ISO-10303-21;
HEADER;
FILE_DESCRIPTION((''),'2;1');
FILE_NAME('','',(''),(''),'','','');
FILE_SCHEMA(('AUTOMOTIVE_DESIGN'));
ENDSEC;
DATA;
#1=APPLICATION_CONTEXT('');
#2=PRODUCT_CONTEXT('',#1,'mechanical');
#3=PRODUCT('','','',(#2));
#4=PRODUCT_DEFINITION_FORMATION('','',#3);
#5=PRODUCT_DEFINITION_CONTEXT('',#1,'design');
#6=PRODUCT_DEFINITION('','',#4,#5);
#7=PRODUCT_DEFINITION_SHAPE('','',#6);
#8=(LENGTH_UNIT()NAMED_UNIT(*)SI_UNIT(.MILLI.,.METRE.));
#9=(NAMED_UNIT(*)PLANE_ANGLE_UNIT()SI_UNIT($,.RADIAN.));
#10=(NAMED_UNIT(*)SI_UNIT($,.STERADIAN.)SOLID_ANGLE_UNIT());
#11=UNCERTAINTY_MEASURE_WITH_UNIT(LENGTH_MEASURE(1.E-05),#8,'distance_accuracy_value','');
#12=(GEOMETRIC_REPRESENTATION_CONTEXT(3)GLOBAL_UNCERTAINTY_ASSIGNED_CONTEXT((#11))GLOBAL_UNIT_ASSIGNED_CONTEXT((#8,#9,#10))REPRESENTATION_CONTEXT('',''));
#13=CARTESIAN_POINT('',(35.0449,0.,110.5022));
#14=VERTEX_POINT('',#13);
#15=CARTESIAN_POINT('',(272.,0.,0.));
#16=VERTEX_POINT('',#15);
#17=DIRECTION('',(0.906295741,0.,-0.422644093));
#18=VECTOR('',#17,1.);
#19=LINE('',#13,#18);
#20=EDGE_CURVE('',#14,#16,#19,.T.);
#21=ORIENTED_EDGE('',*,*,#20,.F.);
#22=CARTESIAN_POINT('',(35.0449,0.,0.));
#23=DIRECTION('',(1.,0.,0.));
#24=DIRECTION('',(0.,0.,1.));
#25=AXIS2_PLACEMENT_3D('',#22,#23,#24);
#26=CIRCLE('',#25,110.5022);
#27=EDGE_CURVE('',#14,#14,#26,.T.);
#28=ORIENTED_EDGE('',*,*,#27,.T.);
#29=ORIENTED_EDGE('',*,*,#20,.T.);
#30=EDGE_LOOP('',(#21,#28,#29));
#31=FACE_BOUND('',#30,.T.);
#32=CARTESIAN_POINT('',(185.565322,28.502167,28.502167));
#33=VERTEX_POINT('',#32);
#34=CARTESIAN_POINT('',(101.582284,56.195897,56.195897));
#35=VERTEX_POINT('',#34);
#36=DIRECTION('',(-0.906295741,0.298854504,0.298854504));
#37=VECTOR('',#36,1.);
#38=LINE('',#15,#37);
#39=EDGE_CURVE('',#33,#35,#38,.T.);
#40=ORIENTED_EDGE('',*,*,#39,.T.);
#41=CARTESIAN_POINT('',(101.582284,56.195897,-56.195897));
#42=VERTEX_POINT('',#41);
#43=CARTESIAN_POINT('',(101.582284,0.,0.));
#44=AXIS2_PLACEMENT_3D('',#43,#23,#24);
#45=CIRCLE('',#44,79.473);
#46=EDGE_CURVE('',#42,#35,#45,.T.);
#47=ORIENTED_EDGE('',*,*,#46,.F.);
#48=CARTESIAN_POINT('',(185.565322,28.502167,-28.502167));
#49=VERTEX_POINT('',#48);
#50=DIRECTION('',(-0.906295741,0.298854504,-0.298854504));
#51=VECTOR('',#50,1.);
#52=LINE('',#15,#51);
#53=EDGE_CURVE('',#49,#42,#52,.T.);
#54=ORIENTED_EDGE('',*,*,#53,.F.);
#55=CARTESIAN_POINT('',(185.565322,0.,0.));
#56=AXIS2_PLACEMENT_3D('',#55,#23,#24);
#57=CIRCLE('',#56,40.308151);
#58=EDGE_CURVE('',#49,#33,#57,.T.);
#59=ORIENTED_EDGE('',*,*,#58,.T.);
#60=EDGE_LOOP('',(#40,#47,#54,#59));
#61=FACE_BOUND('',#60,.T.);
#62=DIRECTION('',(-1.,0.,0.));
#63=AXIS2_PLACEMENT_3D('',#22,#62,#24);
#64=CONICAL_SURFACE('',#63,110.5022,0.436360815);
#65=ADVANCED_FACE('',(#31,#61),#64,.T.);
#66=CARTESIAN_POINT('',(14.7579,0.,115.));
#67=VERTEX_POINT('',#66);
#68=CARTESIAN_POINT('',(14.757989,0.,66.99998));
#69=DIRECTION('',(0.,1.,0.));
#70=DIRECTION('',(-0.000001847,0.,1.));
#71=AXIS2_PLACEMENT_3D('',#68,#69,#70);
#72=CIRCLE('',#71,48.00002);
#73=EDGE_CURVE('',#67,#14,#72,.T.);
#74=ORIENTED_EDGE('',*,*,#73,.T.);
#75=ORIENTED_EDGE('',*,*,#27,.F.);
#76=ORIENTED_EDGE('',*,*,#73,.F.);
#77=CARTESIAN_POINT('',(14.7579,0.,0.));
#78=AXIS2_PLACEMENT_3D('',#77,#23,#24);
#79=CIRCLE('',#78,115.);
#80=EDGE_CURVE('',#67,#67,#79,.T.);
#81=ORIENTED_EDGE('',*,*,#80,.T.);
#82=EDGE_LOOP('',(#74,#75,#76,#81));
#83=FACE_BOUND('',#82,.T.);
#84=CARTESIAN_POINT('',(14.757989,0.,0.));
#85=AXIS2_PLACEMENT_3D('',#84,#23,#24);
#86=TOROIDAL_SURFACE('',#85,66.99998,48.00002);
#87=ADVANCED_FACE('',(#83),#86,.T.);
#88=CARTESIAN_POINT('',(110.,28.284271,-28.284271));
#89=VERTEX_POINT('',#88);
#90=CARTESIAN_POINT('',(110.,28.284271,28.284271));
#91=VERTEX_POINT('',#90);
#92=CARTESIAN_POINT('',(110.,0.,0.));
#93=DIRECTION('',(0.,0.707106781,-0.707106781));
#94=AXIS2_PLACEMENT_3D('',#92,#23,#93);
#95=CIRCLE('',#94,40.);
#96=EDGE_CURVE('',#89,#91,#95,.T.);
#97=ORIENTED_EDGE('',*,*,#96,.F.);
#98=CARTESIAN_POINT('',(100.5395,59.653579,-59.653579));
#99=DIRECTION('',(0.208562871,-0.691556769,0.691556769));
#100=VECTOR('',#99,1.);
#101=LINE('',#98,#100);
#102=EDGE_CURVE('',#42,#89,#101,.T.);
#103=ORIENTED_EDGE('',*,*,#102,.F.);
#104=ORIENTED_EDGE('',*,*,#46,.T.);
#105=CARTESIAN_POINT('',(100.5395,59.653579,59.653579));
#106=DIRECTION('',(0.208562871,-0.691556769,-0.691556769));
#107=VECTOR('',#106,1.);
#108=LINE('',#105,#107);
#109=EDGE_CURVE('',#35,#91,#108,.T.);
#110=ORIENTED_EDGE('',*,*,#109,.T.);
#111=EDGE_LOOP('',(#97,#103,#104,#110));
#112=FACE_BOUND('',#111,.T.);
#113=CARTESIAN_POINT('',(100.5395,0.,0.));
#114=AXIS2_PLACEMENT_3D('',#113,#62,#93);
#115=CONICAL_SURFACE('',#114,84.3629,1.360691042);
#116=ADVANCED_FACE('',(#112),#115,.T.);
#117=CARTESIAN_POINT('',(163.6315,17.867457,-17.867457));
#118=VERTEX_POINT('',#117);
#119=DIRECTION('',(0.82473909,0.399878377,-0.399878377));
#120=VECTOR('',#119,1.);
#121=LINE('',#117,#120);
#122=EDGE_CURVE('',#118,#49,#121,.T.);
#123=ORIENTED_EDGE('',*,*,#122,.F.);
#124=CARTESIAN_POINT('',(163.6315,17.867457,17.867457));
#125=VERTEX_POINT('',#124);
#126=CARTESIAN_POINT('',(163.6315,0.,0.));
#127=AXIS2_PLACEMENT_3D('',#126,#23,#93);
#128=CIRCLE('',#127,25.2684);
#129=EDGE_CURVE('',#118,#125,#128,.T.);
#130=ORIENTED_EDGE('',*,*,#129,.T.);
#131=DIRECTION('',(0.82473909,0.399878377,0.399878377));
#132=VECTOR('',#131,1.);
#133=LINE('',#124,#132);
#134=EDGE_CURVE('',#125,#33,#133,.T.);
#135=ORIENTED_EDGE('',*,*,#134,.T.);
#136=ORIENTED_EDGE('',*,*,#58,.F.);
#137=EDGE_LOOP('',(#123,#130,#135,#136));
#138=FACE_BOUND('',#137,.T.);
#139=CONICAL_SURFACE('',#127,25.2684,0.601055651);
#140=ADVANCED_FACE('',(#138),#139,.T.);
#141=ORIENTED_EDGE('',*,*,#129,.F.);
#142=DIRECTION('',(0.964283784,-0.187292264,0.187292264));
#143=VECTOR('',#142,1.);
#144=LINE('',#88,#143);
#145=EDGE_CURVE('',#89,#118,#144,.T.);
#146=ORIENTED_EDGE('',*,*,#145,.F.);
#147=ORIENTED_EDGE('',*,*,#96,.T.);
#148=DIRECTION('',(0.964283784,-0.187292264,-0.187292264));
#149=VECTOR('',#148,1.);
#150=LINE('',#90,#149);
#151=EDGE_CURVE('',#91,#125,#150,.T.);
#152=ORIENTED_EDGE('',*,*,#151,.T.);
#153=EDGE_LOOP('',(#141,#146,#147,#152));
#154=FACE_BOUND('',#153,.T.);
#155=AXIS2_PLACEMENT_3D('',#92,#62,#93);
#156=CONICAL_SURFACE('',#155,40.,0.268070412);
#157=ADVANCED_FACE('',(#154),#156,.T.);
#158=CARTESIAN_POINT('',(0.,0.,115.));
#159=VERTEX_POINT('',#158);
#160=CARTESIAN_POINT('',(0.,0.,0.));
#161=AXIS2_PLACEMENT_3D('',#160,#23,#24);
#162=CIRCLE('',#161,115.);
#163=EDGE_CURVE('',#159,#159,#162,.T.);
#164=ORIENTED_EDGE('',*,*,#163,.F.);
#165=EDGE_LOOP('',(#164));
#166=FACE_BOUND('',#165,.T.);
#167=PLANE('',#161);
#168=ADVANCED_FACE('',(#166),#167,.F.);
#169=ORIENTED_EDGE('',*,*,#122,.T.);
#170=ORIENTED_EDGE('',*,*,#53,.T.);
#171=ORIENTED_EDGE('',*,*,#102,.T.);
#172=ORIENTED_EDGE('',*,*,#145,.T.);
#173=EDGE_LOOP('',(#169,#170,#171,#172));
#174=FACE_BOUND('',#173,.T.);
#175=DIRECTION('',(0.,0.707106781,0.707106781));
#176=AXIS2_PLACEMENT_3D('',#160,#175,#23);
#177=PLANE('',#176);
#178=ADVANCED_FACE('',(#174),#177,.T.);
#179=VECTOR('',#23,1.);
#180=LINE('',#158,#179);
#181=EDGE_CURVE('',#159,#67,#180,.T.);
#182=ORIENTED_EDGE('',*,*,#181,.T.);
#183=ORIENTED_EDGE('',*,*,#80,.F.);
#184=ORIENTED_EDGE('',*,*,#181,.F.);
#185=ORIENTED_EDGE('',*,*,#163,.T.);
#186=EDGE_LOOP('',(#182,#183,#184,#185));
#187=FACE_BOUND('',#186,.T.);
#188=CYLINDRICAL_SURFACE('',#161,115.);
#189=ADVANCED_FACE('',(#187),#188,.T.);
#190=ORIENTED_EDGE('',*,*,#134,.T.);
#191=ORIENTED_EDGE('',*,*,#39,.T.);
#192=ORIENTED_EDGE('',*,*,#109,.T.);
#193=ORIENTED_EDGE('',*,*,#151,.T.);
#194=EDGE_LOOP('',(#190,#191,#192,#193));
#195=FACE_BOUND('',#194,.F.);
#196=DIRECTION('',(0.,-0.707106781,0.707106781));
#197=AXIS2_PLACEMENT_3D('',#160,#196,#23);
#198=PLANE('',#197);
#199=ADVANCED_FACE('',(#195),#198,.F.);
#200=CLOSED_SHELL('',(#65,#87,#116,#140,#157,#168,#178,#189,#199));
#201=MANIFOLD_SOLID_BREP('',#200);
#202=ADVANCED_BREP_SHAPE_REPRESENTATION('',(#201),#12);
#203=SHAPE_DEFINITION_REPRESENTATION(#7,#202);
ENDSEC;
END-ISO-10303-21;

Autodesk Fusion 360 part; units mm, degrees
sketch "Sketch1" plane through (0, 0, 0) normal (0, 1, 0) x (1, 0, 0)
  line L0 (0, 0) -> (272, 0)
  line L1 (0, 0) -> (0, -115)
  line L2 (0, -115) -> (14.7579, -115)
  line L3 (35.0449, -110.5022) -> (272, 0)
  arc A0 (14.7579, -115) -> (35.0449, -110.5022) centre (14.7579, -67) ccw
  point P0 (25.4, -115)
  dimension "d1" = 272
  dimension "d2" = 115
  dimension "d3" = 25.4
  dimension "d4" = 48
revolve "Revolve1" add sketch "Sketch1" angle 360 about axis through (0, 0, 0) along (1, 0, 0)
ref_plane "WorkPlane1" through (0, 0, 0) normal (0, 0, 1) x (1, 0, 0)
sketch "Sketch2" plane through (0, 0, 0) normal (0, 0, 1) x (1, 0, 0)
  line L0 (100.5395, 84.3629) -> (110, 40)
  line L1 (110, 40) -> (163.6315, 25.2684)
  line L2 (163.6315, 25.2684) -> (189.7167, 43.1547)
  line L3 (189.7167, 43.1547) -> (100.5395, 84.3629)
revolve "Revolve2" cut sketch "Sketch2" angle 45 about axis through (1.75, 0, 0) along (1, 0, 0) second angle 45
